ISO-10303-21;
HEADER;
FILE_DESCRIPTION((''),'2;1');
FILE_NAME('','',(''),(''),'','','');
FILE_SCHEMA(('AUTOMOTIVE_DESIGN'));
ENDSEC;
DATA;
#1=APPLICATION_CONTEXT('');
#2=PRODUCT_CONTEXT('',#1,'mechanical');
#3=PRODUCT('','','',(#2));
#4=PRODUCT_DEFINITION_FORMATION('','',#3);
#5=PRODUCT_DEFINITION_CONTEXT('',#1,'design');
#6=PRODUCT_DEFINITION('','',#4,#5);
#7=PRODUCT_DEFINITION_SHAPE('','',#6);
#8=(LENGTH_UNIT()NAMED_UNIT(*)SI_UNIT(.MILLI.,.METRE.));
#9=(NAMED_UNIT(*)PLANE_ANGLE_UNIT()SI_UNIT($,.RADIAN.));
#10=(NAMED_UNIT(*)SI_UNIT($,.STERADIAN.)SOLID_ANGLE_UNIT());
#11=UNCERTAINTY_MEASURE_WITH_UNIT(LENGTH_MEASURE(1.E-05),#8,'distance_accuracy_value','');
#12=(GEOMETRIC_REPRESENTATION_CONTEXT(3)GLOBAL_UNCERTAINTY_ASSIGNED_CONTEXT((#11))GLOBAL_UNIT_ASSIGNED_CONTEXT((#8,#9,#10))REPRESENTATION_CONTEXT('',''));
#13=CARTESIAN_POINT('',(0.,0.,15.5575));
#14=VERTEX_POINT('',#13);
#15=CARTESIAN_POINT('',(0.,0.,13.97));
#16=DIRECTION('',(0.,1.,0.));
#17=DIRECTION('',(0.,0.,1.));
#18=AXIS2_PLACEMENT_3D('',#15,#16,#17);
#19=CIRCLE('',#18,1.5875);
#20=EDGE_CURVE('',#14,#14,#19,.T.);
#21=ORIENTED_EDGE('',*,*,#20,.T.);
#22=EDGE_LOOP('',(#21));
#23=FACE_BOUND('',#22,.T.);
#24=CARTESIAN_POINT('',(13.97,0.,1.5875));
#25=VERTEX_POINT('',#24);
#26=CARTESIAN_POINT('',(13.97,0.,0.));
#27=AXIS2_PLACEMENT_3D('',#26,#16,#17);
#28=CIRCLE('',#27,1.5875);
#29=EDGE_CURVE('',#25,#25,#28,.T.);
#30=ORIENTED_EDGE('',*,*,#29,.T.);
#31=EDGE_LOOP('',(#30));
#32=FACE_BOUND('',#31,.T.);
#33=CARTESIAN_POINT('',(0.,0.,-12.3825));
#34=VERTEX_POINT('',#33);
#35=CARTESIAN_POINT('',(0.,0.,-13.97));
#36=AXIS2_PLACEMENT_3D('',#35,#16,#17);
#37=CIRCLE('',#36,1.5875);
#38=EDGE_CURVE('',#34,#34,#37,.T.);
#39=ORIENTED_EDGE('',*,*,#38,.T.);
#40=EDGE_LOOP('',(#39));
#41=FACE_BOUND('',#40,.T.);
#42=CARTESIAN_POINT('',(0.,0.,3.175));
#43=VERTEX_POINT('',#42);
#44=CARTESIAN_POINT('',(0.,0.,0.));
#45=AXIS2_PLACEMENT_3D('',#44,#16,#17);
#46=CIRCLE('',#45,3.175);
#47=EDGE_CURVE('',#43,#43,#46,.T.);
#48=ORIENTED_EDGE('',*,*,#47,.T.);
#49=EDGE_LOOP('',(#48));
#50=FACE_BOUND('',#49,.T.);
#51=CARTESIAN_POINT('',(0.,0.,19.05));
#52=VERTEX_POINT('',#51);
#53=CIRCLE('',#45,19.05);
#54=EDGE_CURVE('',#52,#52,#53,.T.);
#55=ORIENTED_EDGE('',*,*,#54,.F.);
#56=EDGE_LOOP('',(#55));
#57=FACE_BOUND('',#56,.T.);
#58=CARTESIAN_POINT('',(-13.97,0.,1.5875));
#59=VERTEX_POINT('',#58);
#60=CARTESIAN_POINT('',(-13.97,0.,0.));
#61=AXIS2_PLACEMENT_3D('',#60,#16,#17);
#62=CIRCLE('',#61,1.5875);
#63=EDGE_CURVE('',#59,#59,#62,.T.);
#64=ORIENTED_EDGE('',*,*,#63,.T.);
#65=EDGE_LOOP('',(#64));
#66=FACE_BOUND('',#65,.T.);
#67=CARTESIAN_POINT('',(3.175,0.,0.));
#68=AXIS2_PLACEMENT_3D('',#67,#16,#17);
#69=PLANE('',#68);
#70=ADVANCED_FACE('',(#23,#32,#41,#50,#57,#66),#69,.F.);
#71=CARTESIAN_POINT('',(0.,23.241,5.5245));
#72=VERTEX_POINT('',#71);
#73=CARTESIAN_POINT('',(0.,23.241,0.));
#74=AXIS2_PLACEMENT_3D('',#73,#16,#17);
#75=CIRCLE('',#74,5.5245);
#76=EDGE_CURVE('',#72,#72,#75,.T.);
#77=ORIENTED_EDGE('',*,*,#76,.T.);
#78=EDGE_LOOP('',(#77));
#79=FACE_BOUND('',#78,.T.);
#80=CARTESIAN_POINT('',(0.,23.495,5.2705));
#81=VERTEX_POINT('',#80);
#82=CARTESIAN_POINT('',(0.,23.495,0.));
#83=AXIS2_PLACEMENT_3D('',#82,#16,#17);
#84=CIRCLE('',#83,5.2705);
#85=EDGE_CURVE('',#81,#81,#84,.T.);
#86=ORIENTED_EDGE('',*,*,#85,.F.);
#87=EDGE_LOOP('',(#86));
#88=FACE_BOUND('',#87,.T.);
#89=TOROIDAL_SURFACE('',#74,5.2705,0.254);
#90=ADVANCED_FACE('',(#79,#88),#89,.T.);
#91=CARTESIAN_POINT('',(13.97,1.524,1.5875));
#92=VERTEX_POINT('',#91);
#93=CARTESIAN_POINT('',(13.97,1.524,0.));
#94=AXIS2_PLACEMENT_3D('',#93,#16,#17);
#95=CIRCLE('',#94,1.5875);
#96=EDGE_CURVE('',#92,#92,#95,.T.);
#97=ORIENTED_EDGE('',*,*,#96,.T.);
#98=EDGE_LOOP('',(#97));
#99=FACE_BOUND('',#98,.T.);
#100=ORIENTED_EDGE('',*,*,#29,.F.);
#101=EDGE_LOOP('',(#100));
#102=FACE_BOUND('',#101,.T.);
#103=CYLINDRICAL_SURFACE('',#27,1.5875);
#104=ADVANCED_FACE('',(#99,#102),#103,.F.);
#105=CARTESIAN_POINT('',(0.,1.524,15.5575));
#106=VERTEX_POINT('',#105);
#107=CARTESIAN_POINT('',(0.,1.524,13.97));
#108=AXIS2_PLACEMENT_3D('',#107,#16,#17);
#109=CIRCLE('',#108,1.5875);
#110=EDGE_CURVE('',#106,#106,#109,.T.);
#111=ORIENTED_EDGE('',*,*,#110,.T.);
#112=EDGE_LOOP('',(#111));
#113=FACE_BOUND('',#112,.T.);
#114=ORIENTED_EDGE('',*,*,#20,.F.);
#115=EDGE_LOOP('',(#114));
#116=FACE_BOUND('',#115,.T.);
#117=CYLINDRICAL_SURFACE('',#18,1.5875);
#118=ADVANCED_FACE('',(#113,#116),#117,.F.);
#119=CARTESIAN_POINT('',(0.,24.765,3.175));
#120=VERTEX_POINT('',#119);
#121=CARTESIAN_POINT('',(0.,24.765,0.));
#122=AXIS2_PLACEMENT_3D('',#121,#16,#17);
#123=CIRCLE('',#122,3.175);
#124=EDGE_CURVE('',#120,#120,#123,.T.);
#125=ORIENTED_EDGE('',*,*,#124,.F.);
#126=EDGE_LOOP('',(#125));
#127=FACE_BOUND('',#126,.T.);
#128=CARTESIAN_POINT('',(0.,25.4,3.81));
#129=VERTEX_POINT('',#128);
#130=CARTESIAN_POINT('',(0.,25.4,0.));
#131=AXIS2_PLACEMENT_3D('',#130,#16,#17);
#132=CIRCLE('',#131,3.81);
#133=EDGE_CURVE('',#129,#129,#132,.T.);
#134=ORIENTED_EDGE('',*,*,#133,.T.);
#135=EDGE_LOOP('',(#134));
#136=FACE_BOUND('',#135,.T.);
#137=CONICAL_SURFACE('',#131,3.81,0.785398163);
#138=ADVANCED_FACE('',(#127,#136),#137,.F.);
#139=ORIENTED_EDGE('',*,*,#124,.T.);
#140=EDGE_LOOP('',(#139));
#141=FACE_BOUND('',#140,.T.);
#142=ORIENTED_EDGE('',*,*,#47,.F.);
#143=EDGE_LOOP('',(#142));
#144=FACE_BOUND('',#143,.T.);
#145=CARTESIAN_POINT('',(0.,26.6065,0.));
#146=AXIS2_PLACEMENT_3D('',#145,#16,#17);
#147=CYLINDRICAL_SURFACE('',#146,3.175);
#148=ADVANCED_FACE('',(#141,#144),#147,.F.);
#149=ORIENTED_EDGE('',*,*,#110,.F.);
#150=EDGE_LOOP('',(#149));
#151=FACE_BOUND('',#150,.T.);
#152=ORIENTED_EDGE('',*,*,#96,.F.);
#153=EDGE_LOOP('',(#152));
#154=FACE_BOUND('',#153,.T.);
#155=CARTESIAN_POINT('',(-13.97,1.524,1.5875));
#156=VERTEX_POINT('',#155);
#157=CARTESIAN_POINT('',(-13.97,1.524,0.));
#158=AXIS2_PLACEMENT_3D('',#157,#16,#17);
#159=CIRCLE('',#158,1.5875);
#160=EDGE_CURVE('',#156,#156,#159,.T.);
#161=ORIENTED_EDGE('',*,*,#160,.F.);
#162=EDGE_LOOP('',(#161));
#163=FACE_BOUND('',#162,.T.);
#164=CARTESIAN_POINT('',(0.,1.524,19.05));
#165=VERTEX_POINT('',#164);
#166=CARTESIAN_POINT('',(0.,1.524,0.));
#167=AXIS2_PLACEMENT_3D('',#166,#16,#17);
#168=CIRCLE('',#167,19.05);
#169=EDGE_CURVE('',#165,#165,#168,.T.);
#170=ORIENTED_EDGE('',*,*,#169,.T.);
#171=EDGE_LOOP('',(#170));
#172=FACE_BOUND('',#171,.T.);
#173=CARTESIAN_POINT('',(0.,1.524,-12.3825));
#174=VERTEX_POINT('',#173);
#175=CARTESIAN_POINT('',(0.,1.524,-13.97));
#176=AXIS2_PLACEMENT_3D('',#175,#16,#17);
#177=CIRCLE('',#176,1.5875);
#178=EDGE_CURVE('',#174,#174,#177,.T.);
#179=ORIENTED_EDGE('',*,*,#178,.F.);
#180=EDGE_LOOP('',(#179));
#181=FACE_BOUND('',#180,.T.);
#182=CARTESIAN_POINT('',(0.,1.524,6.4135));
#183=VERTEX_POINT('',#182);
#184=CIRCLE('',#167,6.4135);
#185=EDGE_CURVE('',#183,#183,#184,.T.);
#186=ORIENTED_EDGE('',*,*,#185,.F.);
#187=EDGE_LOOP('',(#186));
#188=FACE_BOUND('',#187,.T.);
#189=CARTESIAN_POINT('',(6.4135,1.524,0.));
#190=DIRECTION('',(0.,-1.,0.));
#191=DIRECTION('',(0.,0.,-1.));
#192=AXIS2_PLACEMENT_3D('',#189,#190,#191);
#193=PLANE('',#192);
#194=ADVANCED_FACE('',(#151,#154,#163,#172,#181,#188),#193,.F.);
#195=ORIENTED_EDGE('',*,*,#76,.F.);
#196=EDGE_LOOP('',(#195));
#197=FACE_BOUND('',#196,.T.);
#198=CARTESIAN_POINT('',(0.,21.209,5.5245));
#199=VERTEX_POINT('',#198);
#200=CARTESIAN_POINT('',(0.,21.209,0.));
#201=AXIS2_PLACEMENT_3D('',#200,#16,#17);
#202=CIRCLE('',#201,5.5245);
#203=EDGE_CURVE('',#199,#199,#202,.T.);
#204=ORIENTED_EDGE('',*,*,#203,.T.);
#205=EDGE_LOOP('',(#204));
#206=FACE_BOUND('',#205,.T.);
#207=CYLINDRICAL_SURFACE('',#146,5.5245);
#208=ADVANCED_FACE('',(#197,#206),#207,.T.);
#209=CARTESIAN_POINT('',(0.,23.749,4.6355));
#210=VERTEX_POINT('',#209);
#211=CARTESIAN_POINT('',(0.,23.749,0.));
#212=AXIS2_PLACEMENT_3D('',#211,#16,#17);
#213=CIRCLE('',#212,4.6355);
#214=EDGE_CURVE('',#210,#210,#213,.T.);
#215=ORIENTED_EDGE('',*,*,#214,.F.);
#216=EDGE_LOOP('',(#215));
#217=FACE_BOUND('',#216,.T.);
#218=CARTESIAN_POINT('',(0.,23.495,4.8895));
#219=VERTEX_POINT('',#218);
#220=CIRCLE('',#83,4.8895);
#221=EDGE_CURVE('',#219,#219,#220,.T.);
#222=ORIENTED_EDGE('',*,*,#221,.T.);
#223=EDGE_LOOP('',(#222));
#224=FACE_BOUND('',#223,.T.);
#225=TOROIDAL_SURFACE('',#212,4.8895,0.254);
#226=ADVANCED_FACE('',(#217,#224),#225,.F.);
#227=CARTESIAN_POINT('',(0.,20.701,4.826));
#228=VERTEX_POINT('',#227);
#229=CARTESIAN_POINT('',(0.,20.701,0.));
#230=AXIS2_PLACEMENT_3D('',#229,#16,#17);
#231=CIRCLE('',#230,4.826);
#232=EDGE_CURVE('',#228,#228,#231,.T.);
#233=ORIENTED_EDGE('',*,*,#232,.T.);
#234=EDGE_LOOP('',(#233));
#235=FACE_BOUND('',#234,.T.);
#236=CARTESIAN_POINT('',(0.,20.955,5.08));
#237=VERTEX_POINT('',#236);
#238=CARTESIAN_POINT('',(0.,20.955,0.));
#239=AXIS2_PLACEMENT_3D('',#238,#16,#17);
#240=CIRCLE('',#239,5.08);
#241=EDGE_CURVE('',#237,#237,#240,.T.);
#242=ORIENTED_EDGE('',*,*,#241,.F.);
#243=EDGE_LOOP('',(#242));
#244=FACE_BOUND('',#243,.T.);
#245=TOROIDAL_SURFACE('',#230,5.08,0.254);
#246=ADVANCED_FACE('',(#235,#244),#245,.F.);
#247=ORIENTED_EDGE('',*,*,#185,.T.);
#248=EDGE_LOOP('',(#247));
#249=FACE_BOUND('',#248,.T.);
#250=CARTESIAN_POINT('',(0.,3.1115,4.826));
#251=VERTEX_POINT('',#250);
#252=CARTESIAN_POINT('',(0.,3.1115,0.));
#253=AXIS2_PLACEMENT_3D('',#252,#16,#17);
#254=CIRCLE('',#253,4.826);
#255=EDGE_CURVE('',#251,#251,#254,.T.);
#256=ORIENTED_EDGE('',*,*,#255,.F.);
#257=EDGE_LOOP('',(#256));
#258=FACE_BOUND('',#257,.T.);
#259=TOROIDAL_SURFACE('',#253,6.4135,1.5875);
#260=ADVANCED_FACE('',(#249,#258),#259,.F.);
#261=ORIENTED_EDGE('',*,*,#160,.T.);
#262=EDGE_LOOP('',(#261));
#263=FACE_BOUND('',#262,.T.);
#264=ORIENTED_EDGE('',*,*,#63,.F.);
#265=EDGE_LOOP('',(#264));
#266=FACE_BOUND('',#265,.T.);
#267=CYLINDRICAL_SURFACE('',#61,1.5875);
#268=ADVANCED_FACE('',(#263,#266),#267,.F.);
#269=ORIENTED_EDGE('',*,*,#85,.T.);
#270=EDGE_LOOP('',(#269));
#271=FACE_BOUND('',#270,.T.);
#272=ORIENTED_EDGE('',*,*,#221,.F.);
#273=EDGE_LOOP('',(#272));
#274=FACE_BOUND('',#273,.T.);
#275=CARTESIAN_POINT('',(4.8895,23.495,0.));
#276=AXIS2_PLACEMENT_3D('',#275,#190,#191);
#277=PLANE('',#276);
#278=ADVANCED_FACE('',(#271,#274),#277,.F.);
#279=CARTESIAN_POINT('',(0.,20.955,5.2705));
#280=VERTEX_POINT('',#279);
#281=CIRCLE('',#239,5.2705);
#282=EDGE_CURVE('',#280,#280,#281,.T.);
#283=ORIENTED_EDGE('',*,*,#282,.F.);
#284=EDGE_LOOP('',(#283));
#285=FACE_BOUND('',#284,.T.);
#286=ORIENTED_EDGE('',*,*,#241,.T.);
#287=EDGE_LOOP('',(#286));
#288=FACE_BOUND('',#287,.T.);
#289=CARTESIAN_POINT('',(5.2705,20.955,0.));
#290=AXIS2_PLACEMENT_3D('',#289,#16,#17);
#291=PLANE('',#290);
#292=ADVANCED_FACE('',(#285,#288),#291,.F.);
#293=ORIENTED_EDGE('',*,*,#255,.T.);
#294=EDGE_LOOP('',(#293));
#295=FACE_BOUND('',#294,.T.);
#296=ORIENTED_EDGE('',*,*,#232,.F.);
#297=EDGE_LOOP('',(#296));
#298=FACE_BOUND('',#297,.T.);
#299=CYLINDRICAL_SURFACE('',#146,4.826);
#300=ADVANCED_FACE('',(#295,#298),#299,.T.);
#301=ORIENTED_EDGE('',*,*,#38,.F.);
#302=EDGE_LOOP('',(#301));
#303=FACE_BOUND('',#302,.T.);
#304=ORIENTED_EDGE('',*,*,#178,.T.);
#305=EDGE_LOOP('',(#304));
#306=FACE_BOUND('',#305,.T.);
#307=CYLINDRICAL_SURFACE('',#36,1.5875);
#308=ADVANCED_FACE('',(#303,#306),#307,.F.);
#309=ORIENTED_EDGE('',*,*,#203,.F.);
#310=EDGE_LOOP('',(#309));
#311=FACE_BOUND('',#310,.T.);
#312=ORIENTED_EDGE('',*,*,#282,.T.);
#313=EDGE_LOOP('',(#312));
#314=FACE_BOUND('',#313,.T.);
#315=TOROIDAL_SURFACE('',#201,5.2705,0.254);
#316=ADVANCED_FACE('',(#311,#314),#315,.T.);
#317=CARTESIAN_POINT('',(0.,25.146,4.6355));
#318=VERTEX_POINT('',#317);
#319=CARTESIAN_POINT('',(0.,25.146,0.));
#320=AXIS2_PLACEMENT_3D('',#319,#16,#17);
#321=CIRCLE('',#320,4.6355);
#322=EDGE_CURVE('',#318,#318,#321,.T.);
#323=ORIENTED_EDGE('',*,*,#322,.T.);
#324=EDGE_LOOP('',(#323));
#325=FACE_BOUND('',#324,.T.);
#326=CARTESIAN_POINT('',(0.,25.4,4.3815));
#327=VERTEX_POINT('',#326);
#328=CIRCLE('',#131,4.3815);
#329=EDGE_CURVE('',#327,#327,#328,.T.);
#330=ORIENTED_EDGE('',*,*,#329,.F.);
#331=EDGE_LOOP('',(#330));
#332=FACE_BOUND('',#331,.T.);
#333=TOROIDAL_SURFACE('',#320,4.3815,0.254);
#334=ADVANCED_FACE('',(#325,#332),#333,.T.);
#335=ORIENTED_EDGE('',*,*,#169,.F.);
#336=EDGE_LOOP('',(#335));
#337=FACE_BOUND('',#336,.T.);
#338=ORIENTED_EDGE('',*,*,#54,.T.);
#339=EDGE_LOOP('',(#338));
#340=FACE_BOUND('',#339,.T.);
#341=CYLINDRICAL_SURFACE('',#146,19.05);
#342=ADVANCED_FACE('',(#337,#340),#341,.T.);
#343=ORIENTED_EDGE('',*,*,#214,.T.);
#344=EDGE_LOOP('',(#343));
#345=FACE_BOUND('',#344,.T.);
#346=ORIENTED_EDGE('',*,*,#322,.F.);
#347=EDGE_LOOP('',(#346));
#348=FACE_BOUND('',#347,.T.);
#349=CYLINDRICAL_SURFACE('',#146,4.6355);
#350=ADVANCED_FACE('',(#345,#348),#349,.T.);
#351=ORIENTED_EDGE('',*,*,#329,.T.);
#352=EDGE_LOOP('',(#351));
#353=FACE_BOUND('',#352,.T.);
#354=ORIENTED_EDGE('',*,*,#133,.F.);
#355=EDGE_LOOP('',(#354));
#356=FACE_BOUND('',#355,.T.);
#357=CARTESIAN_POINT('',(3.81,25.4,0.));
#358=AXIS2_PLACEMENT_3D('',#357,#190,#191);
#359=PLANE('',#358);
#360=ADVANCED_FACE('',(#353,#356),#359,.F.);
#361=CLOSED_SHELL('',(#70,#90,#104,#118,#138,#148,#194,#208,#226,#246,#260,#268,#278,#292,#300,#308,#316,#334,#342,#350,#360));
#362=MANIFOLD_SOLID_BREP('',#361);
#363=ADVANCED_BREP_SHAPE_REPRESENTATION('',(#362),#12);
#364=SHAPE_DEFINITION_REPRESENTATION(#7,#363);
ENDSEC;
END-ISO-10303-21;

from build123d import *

# Parameters (mm, degrees)
SKETCH2_R          = 1.5875
CUT_EXTRUDE1_DEPTH = 2.524


with BuildPart() as part:
    # Sketch1 → Revolve1 (revolve)
    with BuildSketch(Plane.XY):
        with BuildLine():
            Line((4.6355, 25.146), (4.6355, 23.749))
            ThreePointArc((4.6355, 23.749), (4.709894878, 23.569394878), (4.8895, 23.495))
            Line((4.8895, 23.495), (5.2705, 23.495))
            ThreePointArc((5.2705, 23.495), (5.450105122, 23.420605122), (5.5245, 23.241))
            Line((5.5245, 23.241), (5.5245, 21.209))
            ThreePointArc((5.5245, 21.209), (5.450105122, 21.029394878), (5.2705, 20.955))
            Line((5.2705, 20.955), (5.08, 20.955))
            ThreePointArc((5.08, 20.955), (4.900394878, 20.880605122), (4.826, 20.701))
            Line((4.826, 20.701), (4.826, 3.1115))
            ThreePointArc((4.826, 3.1115), (5.290967985, 1.988967985), (6.4135, 1.524))
            Line((6.4135, 1.524), (19.05, 1.524))
            Line((19.05, 1.524), (19.05, 0))
            Line((19.05, 0), (3.175, 0))
            Line((3.175, 0), (3.175, 24.765))
            Line((3.175, 24.765), (3.81, 25.4))
            Line((3.81, 25.4), (4.3815, 25.4))
            ThreePointArc((4.3815, 25.4), (4.561105122, 25.325605122), (4.6355, 25.146))
        make_face()
    revolve(axis=Axis((0, 26.6065, 0), (0, -1, 0)))

    # Sketch2 → Cut-Extrude1 (cut, through all)
    with BuildSketch(Plane(origin=(0, 1.524, 0), x_dir=(1, 0, 0), z_dir=(0, 1, 0))):
        with Locations((0, 13.97)):
            Circle(SKETCH2_R)
        with Locations((13.97, 0)):
            Circle(SKETCH2_R)
        with Locations((0, -13.97)):
            Circle(SKETCH2_R)
        with Locations((-13.97, 0)):
            Circle(SKETCH2_R)
    extrude(amount=-CUT_EXTRUDE1_DEPTH, mode=Mode.SUBTRACT)


solid = part.part
